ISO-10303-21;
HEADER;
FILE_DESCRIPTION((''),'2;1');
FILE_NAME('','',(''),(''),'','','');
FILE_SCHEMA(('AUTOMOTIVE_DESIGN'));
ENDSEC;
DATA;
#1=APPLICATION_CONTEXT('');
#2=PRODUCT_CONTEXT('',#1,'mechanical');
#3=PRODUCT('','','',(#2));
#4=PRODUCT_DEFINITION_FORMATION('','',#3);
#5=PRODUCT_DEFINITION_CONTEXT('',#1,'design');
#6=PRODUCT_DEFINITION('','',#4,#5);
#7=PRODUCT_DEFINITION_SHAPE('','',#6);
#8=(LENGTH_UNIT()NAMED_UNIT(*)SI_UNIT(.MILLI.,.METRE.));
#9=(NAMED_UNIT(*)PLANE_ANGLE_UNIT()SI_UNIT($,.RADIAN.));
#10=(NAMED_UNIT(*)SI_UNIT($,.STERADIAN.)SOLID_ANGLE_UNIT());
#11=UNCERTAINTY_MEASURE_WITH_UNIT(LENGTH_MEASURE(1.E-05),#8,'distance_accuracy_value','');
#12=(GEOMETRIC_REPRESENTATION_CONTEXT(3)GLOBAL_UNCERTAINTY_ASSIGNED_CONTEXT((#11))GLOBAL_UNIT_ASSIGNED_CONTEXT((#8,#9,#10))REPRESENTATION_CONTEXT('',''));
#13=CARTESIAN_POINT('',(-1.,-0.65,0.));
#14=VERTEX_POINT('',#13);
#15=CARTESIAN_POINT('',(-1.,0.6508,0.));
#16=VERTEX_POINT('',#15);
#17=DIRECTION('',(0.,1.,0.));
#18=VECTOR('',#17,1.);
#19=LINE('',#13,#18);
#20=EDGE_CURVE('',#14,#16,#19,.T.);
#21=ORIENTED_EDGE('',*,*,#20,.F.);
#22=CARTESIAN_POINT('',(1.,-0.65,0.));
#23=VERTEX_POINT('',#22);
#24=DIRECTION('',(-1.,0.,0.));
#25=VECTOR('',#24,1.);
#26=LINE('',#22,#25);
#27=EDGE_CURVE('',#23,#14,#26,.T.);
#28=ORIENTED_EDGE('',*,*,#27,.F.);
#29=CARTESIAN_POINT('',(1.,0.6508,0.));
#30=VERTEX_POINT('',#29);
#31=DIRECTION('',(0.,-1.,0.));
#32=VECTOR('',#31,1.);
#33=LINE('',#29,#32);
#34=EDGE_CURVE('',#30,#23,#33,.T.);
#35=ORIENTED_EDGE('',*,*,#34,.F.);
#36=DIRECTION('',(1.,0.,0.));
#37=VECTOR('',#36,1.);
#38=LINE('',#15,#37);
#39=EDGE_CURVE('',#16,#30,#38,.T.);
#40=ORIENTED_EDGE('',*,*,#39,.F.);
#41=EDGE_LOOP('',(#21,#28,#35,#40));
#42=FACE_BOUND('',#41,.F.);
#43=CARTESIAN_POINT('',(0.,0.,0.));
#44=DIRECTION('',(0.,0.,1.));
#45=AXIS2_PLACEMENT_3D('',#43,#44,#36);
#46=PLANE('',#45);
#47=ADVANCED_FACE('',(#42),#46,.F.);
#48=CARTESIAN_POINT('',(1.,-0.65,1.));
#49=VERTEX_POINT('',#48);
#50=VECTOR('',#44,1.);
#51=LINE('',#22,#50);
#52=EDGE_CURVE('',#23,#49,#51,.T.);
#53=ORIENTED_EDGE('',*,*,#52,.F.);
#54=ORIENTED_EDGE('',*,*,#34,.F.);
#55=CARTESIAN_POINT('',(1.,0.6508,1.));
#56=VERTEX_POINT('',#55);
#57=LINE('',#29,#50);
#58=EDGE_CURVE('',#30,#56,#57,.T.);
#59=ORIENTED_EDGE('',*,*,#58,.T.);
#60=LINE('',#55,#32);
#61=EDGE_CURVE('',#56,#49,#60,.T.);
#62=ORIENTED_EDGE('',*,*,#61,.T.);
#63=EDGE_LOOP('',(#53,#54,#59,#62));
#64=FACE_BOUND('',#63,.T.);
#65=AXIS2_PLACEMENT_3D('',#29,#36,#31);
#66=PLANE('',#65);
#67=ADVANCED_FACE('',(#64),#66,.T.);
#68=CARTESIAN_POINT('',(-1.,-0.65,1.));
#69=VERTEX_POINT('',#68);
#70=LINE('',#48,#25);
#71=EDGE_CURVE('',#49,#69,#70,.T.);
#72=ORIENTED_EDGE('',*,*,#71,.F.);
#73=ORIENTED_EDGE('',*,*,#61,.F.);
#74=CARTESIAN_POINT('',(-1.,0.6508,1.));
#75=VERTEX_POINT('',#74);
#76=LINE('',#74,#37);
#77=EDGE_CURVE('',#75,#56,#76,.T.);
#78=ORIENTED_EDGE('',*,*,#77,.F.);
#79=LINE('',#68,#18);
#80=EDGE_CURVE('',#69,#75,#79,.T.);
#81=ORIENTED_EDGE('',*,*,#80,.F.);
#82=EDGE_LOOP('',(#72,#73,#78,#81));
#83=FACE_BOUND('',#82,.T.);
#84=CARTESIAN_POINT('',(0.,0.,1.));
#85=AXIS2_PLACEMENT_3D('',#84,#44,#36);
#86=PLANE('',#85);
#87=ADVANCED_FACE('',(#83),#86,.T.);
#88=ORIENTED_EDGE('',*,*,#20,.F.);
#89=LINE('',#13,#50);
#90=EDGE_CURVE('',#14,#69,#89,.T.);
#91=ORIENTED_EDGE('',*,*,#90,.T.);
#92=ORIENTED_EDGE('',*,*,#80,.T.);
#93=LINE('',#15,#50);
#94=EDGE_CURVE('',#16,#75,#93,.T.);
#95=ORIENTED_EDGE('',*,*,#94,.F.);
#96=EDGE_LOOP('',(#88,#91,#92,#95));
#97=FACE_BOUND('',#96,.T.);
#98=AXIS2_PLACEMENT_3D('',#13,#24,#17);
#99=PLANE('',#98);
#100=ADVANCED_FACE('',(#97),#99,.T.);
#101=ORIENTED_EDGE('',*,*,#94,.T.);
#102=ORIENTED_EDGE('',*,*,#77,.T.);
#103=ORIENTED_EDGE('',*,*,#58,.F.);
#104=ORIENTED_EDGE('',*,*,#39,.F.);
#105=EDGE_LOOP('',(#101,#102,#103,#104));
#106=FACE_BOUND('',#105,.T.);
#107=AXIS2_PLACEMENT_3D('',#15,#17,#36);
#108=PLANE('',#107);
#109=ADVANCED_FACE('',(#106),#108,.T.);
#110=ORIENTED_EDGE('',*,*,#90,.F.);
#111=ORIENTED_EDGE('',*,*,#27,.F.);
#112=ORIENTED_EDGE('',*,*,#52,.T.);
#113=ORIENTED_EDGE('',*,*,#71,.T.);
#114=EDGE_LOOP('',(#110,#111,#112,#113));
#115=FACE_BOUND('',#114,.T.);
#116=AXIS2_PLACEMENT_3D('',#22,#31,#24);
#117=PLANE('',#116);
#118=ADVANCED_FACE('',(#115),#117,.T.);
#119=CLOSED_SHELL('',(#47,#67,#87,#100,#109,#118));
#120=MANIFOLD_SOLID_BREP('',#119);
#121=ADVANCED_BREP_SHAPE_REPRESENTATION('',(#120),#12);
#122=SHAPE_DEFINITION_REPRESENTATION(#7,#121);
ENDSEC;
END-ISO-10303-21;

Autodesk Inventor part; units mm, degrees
ref_plane "YZ Plane" through (0, 0, 0) normal (1, 0, 0) x (0, 1, 0)
ref_plane "XZ Plane" through (0, 0, 0) normal (0, 1, 0) x (-1, 0, 0)
ref_plane "XY Plane" through (0, 0, 0) normal (0, 0, 1) x (1, 0, 0)
sketch "C0805K, C0805K_1" plane through (0, 0, 0) normal (0, 0, 1) x (1, 0, 0)
  line L0 (-1, 0.6508) -> (1, 0.6508)
  line L1 (1, 0.6508) -> (1, -0.65)
  line L2 (1, -0.65) -> (-1, -0.65)
  line L3 (-1, -0.65) -> (-1, 0.6508)
extrude "Выдавливание1" add sketch "C0805K, C0805K_1" along normal blind 1
properties part number "C0805K"
